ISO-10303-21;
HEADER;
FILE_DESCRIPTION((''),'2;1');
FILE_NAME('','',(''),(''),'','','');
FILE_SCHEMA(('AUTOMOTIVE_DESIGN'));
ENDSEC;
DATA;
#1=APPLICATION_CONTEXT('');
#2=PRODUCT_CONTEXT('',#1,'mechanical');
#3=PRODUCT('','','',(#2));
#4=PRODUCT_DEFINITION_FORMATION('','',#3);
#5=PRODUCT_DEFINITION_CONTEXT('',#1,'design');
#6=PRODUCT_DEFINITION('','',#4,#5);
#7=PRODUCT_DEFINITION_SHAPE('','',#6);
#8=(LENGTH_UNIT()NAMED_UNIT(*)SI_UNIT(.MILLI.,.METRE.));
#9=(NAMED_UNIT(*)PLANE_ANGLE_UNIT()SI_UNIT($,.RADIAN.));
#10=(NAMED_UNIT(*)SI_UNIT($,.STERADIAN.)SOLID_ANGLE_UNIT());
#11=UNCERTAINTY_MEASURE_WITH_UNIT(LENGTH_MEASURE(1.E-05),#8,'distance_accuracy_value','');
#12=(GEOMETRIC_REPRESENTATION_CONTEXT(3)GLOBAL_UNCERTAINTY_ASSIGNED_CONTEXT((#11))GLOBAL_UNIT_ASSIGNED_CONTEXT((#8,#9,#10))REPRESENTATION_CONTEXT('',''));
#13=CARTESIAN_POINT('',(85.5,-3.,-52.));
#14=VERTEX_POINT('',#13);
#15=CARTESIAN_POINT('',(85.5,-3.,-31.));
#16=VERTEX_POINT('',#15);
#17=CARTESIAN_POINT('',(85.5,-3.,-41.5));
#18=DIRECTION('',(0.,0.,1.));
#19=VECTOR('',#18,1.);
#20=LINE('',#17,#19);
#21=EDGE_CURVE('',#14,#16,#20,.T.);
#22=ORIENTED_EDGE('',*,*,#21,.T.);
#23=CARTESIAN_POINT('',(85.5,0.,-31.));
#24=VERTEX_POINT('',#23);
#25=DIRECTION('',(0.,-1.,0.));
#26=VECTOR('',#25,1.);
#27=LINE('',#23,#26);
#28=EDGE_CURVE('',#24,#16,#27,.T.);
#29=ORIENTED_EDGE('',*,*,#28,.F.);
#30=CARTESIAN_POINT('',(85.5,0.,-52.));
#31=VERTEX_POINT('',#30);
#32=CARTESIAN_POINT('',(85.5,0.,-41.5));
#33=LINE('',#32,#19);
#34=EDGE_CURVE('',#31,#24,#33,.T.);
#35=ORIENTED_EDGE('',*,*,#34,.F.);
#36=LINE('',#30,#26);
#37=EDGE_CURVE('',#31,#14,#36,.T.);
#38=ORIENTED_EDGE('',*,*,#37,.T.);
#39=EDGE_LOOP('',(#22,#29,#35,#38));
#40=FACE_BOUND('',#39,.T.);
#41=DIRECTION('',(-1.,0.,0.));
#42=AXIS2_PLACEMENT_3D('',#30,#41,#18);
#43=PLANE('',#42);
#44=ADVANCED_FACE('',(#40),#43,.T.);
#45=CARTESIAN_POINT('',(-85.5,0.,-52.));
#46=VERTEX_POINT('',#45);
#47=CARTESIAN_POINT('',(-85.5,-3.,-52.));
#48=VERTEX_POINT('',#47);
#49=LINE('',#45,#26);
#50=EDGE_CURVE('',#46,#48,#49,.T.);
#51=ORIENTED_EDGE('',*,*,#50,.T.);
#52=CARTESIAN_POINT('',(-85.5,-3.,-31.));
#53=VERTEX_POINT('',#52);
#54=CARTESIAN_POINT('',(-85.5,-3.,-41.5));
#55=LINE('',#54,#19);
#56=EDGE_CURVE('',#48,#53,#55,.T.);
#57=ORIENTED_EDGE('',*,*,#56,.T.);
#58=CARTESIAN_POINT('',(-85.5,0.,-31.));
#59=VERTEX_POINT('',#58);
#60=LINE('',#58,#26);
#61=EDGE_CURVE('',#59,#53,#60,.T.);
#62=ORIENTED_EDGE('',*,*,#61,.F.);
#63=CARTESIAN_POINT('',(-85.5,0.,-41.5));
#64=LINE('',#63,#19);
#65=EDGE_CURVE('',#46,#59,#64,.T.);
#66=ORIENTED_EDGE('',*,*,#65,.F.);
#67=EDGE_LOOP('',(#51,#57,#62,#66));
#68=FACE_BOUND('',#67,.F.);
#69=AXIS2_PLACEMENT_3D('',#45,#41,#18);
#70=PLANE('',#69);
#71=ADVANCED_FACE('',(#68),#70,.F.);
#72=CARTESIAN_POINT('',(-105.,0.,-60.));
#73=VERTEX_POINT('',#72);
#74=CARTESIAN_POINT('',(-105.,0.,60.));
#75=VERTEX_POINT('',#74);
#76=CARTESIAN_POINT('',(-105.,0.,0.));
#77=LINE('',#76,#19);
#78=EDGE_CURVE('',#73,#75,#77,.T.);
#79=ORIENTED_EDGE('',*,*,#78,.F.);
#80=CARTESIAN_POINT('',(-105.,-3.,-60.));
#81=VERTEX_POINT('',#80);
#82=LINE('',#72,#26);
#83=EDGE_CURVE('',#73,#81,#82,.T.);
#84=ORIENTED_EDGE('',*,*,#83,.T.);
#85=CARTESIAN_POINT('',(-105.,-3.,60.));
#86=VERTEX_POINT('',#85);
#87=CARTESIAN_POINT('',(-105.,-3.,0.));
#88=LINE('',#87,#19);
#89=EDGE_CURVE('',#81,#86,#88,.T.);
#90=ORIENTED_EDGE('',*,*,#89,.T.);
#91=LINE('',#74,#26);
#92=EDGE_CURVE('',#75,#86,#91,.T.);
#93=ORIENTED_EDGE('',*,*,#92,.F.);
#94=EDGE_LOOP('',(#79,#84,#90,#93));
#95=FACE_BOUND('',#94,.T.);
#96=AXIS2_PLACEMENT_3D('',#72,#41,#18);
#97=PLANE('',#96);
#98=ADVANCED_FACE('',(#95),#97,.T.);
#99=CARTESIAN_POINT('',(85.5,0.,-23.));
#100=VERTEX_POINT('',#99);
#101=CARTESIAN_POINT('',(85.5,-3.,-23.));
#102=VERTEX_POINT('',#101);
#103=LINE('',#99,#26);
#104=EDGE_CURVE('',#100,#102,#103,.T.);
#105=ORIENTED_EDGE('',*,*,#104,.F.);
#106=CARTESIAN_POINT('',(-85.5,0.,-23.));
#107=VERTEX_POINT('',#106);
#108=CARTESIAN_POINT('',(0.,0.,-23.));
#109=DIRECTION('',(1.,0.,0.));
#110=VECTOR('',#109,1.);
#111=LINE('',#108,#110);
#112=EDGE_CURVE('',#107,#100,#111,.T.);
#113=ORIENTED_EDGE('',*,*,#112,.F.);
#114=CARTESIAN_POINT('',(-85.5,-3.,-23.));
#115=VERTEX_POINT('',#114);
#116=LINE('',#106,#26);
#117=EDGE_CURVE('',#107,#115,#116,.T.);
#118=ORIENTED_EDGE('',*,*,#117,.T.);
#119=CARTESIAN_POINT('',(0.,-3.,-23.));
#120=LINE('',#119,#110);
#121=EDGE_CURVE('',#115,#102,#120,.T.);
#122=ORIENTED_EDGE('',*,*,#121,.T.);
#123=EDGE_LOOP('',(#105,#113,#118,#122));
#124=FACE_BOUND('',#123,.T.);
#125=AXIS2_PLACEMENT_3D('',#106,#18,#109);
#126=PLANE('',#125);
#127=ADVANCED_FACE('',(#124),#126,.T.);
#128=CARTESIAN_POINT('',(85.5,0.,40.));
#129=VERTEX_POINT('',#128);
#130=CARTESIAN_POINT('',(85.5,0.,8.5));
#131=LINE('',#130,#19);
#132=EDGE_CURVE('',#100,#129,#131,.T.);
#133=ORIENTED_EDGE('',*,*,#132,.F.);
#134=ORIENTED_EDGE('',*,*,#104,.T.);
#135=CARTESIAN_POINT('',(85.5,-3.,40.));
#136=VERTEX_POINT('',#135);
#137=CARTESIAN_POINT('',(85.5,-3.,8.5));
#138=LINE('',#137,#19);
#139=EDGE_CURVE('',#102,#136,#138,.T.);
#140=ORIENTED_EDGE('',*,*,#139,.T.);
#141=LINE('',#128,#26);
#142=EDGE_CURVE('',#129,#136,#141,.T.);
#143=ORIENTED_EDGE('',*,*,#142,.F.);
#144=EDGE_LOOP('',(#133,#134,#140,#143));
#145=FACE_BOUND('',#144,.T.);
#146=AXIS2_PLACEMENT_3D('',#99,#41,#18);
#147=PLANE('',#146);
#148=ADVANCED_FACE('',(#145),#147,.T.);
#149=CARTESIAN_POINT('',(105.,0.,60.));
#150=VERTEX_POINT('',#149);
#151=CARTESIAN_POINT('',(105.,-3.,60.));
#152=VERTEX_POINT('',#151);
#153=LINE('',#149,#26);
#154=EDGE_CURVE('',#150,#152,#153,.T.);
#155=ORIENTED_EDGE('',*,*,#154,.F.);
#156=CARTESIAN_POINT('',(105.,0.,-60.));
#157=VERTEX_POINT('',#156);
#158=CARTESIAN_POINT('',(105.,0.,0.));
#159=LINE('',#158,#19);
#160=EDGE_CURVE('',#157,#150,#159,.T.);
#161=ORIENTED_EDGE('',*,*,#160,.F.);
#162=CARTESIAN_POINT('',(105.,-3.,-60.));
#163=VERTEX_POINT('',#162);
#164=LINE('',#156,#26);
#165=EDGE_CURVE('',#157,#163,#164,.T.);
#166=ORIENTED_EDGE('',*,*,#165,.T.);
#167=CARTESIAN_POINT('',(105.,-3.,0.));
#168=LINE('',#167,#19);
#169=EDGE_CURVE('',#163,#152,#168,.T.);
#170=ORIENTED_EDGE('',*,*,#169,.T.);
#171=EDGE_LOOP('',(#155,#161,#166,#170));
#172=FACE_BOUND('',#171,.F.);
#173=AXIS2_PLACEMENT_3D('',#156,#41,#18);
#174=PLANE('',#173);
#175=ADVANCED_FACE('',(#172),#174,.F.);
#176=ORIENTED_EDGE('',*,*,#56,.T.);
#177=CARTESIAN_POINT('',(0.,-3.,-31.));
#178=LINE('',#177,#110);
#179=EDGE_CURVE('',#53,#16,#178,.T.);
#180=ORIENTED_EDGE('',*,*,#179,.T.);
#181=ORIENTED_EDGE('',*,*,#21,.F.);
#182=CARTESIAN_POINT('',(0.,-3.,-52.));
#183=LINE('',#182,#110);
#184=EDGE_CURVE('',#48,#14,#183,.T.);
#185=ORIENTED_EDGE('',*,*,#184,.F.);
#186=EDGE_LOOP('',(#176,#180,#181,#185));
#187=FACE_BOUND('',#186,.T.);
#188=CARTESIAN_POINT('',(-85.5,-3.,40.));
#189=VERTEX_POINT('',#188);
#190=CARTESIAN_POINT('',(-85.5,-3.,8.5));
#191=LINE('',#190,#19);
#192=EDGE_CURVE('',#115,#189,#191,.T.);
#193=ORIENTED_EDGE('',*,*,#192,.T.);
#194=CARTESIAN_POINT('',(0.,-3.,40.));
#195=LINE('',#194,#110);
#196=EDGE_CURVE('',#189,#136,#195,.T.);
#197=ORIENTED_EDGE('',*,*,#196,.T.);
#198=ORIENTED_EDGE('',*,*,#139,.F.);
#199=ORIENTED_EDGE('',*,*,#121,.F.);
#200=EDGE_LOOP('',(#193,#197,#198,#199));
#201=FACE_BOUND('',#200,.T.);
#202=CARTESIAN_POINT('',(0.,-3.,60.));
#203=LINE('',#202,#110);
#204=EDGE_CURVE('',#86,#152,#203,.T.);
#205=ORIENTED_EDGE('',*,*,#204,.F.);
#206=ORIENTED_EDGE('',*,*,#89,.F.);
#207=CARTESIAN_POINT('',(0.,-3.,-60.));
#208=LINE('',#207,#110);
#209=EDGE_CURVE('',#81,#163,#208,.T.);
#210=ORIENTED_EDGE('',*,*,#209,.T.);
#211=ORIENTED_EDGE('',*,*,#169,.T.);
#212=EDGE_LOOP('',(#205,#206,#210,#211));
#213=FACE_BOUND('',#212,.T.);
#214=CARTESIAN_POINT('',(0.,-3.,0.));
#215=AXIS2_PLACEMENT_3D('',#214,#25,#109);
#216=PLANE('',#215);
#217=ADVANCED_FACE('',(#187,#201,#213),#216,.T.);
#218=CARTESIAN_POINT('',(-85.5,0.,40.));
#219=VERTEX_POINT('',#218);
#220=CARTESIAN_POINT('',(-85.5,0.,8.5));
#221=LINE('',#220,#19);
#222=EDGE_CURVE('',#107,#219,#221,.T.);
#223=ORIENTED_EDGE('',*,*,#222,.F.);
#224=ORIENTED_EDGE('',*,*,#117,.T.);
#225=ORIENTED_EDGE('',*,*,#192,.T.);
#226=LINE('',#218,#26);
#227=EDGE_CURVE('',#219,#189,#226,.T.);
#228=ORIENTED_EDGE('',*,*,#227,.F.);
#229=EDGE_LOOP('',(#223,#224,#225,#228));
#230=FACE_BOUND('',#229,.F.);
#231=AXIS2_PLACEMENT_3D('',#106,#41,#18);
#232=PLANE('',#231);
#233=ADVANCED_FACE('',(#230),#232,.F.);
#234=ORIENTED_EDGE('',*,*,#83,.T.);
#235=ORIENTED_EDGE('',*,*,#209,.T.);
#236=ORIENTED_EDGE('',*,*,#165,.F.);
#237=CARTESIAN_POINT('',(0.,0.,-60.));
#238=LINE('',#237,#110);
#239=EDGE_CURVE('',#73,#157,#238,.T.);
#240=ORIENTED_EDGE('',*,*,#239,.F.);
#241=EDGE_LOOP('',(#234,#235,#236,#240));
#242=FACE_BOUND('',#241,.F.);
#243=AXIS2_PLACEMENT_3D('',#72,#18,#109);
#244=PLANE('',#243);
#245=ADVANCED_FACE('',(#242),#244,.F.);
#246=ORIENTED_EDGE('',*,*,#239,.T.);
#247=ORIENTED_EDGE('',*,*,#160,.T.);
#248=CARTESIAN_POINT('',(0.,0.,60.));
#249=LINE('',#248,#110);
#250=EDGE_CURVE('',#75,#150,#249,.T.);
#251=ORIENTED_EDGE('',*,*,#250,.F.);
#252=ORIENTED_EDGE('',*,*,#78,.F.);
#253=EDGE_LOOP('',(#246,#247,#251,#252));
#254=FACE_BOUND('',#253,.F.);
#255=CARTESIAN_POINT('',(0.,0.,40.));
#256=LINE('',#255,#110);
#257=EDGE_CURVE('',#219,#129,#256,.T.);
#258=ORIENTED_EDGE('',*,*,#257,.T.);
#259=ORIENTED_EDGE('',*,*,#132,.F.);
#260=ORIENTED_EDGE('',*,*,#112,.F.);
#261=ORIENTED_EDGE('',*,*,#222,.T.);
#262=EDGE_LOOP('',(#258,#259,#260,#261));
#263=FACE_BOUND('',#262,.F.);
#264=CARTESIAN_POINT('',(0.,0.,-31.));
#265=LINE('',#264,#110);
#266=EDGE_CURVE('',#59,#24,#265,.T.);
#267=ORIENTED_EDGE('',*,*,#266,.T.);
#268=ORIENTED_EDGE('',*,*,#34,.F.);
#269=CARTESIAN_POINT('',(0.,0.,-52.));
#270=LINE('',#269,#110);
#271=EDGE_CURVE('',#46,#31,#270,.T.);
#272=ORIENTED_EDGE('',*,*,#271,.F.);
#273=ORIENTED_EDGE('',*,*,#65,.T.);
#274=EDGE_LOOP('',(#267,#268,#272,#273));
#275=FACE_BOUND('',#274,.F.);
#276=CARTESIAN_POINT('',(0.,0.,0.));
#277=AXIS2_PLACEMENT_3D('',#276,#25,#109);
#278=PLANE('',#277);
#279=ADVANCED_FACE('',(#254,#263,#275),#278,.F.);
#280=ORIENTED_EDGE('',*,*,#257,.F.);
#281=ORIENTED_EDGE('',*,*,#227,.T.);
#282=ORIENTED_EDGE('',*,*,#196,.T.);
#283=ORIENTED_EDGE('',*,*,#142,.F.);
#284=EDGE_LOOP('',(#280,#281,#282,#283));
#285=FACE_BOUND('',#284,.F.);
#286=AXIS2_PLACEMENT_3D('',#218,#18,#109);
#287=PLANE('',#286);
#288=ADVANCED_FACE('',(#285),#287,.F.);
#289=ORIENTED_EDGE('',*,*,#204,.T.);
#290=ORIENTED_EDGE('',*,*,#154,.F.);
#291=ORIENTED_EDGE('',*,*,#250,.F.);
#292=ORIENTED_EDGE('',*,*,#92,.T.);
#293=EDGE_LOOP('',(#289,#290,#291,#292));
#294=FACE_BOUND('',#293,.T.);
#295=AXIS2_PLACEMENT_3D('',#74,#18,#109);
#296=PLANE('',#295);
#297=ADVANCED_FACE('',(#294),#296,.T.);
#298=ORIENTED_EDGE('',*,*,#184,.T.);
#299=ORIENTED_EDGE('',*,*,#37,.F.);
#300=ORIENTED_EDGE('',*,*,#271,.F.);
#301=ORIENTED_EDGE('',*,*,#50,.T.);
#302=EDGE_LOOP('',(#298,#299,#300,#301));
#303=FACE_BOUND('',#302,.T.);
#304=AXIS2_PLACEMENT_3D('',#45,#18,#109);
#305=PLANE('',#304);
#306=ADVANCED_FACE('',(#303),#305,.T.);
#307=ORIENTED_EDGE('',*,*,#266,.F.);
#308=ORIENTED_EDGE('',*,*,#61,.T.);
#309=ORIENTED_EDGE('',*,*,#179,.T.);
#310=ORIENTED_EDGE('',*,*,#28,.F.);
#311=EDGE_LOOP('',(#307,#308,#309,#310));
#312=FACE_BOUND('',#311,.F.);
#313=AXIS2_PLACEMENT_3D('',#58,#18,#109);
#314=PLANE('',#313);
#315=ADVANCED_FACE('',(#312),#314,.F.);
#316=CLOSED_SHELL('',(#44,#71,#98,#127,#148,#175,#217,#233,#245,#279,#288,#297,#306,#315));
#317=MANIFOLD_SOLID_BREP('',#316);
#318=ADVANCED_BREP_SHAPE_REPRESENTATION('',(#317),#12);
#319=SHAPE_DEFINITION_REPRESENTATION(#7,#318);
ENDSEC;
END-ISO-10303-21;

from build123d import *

# Parameters (mm, degrees)
F0_W     = 210
F0_H     = 120
F0_W_2   = 171
F0_H_2   = 21
F0_H_3   = 63
F1_DEPTH = 3


with BuildPart() as f1:
    # F0 (on Front) → F1 (new body)
    with BuildSketch(Plane.XZ):
        Rectangle(F0_W, F0_H)
        with Locations((0, -41.5)):
            Rectangle(F0_W_2, F0_H_2, mode=Mode.SUBTRACT)
        with Locations((0, 8.5)):
            Rectangle(F0_W_2, F0_H_3, mode=Mode.SUBTRACT)
    extrude(amount=F1_DEPTH)


solid = f1.part
